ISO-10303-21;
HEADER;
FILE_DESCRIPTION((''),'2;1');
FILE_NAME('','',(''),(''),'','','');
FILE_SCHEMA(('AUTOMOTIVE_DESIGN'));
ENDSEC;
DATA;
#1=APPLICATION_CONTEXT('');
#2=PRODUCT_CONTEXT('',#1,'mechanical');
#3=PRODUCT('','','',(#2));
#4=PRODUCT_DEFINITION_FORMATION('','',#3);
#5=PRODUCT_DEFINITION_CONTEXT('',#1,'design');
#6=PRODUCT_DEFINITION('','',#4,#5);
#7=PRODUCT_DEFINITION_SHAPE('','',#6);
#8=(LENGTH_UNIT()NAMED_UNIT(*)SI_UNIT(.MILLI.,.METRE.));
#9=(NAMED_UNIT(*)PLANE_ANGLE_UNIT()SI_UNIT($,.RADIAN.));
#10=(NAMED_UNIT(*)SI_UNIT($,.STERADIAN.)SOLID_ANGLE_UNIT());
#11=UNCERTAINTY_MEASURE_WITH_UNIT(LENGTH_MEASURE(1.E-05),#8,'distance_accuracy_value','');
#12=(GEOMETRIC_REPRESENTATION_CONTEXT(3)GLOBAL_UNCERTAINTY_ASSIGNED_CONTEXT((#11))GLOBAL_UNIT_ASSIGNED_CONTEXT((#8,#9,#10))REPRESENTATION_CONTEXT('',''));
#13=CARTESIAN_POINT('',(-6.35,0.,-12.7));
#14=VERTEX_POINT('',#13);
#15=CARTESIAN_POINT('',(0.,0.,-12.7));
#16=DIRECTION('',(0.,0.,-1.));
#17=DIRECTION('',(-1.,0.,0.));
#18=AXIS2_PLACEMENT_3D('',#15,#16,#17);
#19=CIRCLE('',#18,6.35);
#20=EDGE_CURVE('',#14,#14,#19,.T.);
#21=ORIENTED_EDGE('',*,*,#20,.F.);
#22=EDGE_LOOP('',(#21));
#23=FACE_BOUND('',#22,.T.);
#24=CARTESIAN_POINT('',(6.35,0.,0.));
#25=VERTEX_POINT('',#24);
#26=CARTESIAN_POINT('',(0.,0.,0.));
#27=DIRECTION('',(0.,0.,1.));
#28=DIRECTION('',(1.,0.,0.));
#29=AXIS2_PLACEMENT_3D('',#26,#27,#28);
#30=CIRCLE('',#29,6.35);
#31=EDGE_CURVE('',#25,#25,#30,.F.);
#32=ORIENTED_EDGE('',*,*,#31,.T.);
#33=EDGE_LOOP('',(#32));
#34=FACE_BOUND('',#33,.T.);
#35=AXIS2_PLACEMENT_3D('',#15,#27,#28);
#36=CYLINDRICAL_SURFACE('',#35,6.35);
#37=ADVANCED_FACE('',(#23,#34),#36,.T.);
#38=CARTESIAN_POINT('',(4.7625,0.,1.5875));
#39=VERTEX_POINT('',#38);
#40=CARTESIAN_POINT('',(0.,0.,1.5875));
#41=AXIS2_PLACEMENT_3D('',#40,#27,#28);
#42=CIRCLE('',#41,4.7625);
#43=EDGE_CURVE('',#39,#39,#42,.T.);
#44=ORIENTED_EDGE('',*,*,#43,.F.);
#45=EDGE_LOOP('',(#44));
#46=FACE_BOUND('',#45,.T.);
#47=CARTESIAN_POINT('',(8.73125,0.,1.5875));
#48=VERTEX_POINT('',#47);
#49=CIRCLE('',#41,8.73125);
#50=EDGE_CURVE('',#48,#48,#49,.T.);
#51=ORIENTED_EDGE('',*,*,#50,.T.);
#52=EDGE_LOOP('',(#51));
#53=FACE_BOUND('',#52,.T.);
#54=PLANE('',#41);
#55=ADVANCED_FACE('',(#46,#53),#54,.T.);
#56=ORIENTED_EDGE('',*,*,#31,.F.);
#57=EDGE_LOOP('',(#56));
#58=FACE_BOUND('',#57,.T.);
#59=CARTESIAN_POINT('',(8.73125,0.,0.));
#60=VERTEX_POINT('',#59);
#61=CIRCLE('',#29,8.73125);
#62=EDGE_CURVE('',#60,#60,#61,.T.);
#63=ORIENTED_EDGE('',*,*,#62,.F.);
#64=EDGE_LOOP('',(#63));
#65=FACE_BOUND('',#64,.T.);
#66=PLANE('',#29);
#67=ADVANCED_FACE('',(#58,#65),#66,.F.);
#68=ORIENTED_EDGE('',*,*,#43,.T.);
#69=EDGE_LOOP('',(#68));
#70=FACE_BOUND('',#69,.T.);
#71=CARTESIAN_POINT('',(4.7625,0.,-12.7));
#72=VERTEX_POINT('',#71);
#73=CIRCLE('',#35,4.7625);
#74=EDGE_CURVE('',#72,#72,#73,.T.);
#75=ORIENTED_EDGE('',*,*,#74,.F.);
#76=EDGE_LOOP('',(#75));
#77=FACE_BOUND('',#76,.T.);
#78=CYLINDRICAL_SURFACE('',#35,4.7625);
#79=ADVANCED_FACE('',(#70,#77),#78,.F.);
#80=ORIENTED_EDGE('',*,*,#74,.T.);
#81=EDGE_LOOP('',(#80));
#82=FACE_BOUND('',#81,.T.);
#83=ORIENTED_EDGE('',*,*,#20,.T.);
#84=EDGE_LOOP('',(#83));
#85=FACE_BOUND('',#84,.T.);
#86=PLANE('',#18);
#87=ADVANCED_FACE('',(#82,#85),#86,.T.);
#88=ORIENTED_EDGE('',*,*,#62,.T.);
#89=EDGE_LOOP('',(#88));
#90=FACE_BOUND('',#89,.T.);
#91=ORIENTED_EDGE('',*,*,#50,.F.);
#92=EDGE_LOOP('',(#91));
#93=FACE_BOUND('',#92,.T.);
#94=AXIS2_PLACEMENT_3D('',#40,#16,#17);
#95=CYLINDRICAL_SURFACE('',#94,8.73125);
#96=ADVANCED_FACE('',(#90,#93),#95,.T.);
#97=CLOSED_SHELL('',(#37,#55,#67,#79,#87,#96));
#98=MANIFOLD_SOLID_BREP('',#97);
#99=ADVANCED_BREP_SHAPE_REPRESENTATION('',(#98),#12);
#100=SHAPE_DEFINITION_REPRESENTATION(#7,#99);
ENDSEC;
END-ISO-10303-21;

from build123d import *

# Parameters (mm, degrees)
SKETCH1_R           = 8.73125
BOSS_EXTRUDE1_DEPTH = 1.5875
SKETCH2_R           = 6.35
BOSS_EXTRUDE2_DEPTH = 12.7
SKETCH3_R           = 4.7625
CUT_EXTRUDE1_DEPTH  = 15.2875


with BuildPart() as part:
    # Sketch1 → Boss-Extrude1 (new body)
    with BuildSketch(Plane.XY):
        Circle(SKETCH1_R)
    extrude(amount=BOSS_EXTRUDE1_DEPTH)

    # Sketch2 → Boss-Extrude2 (add)
    with BuildSketch(Plane(origin=(0, 0, 0), x_dir=(-1, 0, 0), z_dir=(0, 0, -1))):
        Circle(SKETCH2_R)
    extrude(amount=BOSS_EXTRUDE2_DEPTH)

    # Sketch3 → Cut-Extrude1 (cut, through all)
    with BuildSketch(Plane.XY.offset(1.5875)):
        Circle(SKETCH3_R)
    extrude(amount=-CUT_EXTRUDE1_DEPTH, mode=Mode.SUBTRACT)


solid = part.part
